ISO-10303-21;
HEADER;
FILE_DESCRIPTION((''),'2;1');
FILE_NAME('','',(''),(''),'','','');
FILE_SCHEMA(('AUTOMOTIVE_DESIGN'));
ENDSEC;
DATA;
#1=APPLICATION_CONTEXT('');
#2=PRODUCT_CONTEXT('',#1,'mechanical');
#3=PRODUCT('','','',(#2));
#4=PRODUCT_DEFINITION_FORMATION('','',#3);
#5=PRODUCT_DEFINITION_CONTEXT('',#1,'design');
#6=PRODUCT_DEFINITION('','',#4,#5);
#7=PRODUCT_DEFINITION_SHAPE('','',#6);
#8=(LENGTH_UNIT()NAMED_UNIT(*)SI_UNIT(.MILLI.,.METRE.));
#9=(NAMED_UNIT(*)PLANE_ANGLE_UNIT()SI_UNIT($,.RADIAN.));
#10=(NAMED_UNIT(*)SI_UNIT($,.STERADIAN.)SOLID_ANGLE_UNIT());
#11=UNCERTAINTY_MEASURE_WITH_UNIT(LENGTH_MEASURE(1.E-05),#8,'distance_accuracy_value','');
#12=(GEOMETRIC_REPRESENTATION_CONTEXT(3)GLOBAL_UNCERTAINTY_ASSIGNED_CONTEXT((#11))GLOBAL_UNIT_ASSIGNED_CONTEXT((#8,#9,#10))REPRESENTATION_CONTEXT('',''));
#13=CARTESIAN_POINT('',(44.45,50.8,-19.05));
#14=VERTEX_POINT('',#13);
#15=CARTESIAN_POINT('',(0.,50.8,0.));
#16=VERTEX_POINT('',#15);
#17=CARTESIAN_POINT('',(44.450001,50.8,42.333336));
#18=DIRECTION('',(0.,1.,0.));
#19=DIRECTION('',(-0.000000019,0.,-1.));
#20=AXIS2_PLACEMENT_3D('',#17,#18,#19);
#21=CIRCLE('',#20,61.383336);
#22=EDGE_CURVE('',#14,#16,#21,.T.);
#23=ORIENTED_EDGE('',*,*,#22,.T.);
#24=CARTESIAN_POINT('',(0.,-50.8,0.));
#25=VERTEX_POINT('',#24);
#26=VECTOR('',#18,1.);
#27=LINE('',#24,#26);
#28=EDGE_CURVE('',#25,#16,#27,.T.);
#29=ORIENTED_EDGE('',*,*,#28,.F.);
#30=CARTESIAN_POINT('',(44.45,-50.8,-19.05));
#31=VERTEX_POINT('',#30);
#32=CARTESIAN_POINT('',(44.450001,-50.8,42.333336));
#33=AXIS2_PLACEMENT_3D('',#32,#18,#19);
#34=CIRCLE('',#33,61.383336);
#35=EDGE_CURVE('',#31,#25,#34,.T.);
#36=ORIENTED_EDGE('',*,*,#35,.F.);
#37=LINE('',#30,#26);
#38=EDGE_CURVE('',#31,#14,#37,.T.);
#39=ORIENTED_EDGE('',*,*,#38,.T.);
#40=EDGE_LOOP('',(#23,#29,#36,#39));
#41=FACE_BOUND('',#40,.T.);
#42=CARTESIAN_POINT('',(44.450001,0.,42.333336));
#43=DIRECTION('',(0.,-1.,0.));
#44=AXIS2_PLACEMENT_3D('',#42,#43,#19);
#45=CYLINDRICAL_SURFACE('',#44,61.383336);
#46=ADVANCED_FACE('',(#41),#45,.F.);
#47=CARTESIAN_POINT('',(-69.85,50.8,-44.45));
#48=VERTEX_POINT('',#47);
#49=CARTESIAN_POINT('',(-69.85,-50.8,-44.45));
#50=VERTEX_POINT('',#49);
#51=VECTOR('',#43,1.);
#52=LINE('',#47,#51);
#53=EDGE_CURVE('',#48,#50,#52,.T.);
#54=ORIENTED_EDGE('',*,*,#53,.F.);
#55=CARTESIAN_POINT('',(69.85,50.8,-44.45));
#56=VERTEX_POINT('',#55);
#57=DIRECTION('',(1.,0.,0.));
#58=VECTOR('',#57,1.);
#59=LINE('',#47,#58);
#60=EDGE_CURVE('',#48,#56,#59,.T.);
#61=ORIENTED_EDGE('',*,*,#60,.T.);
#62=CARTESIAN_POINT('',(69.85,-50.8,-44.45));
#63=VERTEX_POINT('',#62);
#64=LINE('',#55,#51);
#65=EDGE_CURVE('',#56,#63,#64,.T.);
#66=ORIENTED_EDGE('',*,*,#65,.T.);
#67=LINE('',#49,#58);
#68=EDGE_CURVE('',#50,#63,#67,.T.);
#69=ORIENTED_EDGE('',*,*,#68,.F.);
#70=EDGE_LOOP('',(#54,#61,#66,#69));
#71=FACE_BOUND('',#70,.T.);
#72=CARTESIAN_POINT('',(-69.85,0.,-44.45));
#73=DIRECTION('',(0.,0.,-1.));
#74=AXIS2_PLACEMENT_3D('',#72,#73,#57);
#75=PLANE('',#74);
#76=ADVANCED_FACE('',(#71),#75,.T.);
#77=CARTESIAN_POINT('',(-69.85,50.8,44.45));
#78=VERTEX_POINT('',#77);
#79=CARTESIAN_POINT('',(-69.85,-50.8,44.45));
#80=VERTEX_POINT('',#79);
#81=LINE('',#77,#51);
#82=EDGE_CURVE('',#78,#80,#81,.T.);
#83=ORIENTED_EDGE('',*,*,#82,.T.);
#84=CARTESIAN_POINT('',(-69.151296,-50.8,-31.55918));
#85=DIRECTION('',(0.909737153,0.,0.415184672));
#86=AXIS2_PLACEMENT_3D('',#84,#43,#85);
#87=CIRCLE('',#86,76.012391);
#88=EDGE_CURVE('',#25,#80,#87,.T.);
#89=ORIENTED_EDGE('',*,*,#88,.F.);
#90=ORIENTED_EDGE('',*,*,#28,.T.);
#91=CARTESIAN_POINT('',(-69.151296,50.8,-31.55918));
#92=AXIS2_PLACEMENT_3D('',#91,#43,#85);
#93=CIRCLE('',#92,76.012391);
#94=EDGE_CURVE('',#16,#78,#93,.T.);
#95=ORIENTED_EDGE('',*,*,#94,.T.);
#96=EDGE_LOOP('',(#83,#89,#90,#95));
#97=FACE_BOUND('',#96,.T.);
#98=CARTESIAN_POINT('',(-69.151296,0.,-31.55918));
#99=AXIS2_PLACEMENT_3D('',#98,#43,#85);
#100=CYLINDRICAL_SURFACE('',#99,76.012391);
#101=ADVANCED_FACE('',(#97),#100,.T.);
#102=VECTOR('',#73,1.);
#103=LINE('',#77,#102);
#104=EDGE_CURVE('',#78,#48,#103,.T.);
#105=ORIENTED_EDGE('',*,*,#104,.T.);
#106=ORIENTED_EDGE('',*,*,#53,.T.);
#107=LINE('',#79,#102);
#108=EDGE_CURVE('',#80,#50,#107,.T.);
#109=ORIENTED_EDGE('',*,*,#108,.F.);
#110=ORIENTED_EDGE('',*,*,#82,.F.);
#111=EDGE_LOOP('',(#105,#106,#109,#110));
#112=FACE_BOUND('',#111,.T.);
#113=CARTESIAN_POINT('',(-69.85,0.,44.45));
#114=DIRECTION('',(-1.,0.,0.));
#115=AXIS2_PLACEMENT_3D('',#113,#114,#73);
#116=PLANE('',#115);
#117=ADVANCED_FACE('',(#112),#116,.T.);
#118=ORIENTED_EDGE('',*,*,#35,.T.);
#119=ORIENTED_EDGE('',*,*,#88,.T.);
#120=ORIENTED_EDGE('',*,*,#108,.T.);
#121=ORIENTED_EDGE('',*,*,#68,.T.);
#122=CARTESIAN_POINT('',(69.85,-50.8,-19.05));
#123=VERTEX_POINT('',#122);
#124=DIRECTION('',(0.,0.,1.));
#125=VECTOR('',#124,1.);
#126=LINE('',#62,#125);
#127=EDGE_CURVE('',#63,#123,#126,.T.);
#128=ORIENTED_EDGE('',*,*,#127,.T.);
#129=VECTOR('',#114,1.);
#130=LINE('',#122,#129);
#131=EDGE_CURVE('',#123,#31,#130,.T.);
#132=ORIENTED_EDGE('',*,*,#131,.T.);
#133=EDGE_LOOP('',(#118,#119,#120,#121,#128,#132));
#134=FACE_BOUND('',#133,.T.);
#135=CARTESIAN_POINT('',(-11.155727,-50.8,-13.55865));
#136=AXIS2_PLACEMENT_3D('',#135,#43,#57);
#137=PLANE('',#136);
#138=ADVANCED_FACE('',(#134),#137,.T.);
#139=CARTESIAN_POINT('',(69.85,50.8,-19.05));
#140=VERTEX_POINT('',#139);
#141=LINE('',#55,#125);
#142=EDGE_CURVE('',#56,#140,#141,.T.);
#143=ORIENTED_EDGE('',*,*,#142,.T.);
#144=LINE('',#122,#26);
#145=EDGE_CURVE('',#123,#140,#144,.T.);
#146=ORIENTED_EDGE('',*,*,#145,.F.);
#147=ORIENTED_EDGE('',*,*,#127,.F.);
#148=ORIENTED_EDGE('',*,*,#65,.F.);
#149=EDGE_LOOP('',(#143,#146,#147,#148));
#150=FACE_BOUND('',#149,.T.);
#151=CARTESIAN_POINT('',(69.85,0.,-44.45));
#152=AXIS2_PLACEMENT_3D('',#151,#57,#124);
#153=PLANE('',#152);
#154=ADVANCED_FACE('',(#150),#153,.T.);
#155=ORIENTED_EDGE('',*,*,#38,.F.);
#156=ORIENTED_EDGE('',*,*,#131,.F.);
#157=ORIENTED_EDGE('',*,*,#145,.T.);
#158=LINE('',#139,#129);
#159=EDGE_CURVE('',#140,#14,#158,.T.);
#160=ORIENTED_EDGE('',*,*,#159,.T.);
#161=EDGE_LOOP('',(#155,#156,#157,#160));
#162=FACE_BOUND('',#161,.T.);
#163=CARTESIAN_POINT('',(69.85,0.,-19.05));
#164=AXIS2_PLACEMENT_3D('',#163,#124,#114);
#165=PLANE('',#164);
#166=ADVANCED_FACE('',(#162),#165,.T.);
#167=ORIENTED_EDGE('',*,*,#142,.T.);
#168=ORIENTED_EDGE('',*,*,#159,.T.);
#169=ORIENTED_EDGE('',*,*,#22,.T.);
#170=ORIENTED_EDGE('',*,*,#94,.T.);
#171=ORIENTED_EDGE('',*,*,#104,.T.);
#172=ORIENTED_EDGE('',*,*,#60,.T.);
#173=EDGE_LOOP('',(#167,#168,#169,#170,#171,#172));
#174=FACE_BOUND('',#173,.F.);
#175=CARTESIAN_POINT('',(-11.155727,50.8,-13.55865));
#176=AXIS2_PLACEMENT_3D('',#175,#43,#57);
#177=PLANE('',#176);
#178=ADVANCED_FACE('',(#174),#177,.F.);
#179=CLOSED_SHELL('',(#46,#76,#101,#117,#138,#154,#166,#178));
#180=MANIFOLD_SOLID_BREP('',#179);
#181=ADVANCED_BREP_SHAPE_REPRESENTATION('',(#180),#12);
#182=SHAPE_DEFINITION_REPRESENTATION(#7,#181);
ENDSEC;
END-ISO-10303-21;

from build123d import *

# Parameters (mm, degrees)
F1_DEPTH      = 50.8
F1_DEPTH_BACK = 50.8


with BuildPart() as f1:
    # F0 (on Front) → F1 (new body, two sides)
    with BuildSketch(Plane.XZ) as f1_sk:
        with BuildLine():
            ThreePointArc((0, 0), (-28.342106, 32.569547), (-69.85, 44.45))
            Line((-69.85, 44.45), (-69.85, 0))
            Line((-69.85, 0), (-69.85, -44.45))
            Line((-69.85, -44.45), (0, -44.45))
            Line((0, -44.45), (69.85, -44.45))
            Line((69.85, -44.45), (69.85, -19.05))
            Line((69.85, -19.05), (44.45, -19.05))
            ThreePointArc((44.45, -19.05), (20.26992, -14.086852), (0, 0))
        make_face()
    extrude(amount=F1_DEPTH)
    extrude(f1_sk.sketch, amount=-F1_DEPTH_BACK)


solid = f1.part
